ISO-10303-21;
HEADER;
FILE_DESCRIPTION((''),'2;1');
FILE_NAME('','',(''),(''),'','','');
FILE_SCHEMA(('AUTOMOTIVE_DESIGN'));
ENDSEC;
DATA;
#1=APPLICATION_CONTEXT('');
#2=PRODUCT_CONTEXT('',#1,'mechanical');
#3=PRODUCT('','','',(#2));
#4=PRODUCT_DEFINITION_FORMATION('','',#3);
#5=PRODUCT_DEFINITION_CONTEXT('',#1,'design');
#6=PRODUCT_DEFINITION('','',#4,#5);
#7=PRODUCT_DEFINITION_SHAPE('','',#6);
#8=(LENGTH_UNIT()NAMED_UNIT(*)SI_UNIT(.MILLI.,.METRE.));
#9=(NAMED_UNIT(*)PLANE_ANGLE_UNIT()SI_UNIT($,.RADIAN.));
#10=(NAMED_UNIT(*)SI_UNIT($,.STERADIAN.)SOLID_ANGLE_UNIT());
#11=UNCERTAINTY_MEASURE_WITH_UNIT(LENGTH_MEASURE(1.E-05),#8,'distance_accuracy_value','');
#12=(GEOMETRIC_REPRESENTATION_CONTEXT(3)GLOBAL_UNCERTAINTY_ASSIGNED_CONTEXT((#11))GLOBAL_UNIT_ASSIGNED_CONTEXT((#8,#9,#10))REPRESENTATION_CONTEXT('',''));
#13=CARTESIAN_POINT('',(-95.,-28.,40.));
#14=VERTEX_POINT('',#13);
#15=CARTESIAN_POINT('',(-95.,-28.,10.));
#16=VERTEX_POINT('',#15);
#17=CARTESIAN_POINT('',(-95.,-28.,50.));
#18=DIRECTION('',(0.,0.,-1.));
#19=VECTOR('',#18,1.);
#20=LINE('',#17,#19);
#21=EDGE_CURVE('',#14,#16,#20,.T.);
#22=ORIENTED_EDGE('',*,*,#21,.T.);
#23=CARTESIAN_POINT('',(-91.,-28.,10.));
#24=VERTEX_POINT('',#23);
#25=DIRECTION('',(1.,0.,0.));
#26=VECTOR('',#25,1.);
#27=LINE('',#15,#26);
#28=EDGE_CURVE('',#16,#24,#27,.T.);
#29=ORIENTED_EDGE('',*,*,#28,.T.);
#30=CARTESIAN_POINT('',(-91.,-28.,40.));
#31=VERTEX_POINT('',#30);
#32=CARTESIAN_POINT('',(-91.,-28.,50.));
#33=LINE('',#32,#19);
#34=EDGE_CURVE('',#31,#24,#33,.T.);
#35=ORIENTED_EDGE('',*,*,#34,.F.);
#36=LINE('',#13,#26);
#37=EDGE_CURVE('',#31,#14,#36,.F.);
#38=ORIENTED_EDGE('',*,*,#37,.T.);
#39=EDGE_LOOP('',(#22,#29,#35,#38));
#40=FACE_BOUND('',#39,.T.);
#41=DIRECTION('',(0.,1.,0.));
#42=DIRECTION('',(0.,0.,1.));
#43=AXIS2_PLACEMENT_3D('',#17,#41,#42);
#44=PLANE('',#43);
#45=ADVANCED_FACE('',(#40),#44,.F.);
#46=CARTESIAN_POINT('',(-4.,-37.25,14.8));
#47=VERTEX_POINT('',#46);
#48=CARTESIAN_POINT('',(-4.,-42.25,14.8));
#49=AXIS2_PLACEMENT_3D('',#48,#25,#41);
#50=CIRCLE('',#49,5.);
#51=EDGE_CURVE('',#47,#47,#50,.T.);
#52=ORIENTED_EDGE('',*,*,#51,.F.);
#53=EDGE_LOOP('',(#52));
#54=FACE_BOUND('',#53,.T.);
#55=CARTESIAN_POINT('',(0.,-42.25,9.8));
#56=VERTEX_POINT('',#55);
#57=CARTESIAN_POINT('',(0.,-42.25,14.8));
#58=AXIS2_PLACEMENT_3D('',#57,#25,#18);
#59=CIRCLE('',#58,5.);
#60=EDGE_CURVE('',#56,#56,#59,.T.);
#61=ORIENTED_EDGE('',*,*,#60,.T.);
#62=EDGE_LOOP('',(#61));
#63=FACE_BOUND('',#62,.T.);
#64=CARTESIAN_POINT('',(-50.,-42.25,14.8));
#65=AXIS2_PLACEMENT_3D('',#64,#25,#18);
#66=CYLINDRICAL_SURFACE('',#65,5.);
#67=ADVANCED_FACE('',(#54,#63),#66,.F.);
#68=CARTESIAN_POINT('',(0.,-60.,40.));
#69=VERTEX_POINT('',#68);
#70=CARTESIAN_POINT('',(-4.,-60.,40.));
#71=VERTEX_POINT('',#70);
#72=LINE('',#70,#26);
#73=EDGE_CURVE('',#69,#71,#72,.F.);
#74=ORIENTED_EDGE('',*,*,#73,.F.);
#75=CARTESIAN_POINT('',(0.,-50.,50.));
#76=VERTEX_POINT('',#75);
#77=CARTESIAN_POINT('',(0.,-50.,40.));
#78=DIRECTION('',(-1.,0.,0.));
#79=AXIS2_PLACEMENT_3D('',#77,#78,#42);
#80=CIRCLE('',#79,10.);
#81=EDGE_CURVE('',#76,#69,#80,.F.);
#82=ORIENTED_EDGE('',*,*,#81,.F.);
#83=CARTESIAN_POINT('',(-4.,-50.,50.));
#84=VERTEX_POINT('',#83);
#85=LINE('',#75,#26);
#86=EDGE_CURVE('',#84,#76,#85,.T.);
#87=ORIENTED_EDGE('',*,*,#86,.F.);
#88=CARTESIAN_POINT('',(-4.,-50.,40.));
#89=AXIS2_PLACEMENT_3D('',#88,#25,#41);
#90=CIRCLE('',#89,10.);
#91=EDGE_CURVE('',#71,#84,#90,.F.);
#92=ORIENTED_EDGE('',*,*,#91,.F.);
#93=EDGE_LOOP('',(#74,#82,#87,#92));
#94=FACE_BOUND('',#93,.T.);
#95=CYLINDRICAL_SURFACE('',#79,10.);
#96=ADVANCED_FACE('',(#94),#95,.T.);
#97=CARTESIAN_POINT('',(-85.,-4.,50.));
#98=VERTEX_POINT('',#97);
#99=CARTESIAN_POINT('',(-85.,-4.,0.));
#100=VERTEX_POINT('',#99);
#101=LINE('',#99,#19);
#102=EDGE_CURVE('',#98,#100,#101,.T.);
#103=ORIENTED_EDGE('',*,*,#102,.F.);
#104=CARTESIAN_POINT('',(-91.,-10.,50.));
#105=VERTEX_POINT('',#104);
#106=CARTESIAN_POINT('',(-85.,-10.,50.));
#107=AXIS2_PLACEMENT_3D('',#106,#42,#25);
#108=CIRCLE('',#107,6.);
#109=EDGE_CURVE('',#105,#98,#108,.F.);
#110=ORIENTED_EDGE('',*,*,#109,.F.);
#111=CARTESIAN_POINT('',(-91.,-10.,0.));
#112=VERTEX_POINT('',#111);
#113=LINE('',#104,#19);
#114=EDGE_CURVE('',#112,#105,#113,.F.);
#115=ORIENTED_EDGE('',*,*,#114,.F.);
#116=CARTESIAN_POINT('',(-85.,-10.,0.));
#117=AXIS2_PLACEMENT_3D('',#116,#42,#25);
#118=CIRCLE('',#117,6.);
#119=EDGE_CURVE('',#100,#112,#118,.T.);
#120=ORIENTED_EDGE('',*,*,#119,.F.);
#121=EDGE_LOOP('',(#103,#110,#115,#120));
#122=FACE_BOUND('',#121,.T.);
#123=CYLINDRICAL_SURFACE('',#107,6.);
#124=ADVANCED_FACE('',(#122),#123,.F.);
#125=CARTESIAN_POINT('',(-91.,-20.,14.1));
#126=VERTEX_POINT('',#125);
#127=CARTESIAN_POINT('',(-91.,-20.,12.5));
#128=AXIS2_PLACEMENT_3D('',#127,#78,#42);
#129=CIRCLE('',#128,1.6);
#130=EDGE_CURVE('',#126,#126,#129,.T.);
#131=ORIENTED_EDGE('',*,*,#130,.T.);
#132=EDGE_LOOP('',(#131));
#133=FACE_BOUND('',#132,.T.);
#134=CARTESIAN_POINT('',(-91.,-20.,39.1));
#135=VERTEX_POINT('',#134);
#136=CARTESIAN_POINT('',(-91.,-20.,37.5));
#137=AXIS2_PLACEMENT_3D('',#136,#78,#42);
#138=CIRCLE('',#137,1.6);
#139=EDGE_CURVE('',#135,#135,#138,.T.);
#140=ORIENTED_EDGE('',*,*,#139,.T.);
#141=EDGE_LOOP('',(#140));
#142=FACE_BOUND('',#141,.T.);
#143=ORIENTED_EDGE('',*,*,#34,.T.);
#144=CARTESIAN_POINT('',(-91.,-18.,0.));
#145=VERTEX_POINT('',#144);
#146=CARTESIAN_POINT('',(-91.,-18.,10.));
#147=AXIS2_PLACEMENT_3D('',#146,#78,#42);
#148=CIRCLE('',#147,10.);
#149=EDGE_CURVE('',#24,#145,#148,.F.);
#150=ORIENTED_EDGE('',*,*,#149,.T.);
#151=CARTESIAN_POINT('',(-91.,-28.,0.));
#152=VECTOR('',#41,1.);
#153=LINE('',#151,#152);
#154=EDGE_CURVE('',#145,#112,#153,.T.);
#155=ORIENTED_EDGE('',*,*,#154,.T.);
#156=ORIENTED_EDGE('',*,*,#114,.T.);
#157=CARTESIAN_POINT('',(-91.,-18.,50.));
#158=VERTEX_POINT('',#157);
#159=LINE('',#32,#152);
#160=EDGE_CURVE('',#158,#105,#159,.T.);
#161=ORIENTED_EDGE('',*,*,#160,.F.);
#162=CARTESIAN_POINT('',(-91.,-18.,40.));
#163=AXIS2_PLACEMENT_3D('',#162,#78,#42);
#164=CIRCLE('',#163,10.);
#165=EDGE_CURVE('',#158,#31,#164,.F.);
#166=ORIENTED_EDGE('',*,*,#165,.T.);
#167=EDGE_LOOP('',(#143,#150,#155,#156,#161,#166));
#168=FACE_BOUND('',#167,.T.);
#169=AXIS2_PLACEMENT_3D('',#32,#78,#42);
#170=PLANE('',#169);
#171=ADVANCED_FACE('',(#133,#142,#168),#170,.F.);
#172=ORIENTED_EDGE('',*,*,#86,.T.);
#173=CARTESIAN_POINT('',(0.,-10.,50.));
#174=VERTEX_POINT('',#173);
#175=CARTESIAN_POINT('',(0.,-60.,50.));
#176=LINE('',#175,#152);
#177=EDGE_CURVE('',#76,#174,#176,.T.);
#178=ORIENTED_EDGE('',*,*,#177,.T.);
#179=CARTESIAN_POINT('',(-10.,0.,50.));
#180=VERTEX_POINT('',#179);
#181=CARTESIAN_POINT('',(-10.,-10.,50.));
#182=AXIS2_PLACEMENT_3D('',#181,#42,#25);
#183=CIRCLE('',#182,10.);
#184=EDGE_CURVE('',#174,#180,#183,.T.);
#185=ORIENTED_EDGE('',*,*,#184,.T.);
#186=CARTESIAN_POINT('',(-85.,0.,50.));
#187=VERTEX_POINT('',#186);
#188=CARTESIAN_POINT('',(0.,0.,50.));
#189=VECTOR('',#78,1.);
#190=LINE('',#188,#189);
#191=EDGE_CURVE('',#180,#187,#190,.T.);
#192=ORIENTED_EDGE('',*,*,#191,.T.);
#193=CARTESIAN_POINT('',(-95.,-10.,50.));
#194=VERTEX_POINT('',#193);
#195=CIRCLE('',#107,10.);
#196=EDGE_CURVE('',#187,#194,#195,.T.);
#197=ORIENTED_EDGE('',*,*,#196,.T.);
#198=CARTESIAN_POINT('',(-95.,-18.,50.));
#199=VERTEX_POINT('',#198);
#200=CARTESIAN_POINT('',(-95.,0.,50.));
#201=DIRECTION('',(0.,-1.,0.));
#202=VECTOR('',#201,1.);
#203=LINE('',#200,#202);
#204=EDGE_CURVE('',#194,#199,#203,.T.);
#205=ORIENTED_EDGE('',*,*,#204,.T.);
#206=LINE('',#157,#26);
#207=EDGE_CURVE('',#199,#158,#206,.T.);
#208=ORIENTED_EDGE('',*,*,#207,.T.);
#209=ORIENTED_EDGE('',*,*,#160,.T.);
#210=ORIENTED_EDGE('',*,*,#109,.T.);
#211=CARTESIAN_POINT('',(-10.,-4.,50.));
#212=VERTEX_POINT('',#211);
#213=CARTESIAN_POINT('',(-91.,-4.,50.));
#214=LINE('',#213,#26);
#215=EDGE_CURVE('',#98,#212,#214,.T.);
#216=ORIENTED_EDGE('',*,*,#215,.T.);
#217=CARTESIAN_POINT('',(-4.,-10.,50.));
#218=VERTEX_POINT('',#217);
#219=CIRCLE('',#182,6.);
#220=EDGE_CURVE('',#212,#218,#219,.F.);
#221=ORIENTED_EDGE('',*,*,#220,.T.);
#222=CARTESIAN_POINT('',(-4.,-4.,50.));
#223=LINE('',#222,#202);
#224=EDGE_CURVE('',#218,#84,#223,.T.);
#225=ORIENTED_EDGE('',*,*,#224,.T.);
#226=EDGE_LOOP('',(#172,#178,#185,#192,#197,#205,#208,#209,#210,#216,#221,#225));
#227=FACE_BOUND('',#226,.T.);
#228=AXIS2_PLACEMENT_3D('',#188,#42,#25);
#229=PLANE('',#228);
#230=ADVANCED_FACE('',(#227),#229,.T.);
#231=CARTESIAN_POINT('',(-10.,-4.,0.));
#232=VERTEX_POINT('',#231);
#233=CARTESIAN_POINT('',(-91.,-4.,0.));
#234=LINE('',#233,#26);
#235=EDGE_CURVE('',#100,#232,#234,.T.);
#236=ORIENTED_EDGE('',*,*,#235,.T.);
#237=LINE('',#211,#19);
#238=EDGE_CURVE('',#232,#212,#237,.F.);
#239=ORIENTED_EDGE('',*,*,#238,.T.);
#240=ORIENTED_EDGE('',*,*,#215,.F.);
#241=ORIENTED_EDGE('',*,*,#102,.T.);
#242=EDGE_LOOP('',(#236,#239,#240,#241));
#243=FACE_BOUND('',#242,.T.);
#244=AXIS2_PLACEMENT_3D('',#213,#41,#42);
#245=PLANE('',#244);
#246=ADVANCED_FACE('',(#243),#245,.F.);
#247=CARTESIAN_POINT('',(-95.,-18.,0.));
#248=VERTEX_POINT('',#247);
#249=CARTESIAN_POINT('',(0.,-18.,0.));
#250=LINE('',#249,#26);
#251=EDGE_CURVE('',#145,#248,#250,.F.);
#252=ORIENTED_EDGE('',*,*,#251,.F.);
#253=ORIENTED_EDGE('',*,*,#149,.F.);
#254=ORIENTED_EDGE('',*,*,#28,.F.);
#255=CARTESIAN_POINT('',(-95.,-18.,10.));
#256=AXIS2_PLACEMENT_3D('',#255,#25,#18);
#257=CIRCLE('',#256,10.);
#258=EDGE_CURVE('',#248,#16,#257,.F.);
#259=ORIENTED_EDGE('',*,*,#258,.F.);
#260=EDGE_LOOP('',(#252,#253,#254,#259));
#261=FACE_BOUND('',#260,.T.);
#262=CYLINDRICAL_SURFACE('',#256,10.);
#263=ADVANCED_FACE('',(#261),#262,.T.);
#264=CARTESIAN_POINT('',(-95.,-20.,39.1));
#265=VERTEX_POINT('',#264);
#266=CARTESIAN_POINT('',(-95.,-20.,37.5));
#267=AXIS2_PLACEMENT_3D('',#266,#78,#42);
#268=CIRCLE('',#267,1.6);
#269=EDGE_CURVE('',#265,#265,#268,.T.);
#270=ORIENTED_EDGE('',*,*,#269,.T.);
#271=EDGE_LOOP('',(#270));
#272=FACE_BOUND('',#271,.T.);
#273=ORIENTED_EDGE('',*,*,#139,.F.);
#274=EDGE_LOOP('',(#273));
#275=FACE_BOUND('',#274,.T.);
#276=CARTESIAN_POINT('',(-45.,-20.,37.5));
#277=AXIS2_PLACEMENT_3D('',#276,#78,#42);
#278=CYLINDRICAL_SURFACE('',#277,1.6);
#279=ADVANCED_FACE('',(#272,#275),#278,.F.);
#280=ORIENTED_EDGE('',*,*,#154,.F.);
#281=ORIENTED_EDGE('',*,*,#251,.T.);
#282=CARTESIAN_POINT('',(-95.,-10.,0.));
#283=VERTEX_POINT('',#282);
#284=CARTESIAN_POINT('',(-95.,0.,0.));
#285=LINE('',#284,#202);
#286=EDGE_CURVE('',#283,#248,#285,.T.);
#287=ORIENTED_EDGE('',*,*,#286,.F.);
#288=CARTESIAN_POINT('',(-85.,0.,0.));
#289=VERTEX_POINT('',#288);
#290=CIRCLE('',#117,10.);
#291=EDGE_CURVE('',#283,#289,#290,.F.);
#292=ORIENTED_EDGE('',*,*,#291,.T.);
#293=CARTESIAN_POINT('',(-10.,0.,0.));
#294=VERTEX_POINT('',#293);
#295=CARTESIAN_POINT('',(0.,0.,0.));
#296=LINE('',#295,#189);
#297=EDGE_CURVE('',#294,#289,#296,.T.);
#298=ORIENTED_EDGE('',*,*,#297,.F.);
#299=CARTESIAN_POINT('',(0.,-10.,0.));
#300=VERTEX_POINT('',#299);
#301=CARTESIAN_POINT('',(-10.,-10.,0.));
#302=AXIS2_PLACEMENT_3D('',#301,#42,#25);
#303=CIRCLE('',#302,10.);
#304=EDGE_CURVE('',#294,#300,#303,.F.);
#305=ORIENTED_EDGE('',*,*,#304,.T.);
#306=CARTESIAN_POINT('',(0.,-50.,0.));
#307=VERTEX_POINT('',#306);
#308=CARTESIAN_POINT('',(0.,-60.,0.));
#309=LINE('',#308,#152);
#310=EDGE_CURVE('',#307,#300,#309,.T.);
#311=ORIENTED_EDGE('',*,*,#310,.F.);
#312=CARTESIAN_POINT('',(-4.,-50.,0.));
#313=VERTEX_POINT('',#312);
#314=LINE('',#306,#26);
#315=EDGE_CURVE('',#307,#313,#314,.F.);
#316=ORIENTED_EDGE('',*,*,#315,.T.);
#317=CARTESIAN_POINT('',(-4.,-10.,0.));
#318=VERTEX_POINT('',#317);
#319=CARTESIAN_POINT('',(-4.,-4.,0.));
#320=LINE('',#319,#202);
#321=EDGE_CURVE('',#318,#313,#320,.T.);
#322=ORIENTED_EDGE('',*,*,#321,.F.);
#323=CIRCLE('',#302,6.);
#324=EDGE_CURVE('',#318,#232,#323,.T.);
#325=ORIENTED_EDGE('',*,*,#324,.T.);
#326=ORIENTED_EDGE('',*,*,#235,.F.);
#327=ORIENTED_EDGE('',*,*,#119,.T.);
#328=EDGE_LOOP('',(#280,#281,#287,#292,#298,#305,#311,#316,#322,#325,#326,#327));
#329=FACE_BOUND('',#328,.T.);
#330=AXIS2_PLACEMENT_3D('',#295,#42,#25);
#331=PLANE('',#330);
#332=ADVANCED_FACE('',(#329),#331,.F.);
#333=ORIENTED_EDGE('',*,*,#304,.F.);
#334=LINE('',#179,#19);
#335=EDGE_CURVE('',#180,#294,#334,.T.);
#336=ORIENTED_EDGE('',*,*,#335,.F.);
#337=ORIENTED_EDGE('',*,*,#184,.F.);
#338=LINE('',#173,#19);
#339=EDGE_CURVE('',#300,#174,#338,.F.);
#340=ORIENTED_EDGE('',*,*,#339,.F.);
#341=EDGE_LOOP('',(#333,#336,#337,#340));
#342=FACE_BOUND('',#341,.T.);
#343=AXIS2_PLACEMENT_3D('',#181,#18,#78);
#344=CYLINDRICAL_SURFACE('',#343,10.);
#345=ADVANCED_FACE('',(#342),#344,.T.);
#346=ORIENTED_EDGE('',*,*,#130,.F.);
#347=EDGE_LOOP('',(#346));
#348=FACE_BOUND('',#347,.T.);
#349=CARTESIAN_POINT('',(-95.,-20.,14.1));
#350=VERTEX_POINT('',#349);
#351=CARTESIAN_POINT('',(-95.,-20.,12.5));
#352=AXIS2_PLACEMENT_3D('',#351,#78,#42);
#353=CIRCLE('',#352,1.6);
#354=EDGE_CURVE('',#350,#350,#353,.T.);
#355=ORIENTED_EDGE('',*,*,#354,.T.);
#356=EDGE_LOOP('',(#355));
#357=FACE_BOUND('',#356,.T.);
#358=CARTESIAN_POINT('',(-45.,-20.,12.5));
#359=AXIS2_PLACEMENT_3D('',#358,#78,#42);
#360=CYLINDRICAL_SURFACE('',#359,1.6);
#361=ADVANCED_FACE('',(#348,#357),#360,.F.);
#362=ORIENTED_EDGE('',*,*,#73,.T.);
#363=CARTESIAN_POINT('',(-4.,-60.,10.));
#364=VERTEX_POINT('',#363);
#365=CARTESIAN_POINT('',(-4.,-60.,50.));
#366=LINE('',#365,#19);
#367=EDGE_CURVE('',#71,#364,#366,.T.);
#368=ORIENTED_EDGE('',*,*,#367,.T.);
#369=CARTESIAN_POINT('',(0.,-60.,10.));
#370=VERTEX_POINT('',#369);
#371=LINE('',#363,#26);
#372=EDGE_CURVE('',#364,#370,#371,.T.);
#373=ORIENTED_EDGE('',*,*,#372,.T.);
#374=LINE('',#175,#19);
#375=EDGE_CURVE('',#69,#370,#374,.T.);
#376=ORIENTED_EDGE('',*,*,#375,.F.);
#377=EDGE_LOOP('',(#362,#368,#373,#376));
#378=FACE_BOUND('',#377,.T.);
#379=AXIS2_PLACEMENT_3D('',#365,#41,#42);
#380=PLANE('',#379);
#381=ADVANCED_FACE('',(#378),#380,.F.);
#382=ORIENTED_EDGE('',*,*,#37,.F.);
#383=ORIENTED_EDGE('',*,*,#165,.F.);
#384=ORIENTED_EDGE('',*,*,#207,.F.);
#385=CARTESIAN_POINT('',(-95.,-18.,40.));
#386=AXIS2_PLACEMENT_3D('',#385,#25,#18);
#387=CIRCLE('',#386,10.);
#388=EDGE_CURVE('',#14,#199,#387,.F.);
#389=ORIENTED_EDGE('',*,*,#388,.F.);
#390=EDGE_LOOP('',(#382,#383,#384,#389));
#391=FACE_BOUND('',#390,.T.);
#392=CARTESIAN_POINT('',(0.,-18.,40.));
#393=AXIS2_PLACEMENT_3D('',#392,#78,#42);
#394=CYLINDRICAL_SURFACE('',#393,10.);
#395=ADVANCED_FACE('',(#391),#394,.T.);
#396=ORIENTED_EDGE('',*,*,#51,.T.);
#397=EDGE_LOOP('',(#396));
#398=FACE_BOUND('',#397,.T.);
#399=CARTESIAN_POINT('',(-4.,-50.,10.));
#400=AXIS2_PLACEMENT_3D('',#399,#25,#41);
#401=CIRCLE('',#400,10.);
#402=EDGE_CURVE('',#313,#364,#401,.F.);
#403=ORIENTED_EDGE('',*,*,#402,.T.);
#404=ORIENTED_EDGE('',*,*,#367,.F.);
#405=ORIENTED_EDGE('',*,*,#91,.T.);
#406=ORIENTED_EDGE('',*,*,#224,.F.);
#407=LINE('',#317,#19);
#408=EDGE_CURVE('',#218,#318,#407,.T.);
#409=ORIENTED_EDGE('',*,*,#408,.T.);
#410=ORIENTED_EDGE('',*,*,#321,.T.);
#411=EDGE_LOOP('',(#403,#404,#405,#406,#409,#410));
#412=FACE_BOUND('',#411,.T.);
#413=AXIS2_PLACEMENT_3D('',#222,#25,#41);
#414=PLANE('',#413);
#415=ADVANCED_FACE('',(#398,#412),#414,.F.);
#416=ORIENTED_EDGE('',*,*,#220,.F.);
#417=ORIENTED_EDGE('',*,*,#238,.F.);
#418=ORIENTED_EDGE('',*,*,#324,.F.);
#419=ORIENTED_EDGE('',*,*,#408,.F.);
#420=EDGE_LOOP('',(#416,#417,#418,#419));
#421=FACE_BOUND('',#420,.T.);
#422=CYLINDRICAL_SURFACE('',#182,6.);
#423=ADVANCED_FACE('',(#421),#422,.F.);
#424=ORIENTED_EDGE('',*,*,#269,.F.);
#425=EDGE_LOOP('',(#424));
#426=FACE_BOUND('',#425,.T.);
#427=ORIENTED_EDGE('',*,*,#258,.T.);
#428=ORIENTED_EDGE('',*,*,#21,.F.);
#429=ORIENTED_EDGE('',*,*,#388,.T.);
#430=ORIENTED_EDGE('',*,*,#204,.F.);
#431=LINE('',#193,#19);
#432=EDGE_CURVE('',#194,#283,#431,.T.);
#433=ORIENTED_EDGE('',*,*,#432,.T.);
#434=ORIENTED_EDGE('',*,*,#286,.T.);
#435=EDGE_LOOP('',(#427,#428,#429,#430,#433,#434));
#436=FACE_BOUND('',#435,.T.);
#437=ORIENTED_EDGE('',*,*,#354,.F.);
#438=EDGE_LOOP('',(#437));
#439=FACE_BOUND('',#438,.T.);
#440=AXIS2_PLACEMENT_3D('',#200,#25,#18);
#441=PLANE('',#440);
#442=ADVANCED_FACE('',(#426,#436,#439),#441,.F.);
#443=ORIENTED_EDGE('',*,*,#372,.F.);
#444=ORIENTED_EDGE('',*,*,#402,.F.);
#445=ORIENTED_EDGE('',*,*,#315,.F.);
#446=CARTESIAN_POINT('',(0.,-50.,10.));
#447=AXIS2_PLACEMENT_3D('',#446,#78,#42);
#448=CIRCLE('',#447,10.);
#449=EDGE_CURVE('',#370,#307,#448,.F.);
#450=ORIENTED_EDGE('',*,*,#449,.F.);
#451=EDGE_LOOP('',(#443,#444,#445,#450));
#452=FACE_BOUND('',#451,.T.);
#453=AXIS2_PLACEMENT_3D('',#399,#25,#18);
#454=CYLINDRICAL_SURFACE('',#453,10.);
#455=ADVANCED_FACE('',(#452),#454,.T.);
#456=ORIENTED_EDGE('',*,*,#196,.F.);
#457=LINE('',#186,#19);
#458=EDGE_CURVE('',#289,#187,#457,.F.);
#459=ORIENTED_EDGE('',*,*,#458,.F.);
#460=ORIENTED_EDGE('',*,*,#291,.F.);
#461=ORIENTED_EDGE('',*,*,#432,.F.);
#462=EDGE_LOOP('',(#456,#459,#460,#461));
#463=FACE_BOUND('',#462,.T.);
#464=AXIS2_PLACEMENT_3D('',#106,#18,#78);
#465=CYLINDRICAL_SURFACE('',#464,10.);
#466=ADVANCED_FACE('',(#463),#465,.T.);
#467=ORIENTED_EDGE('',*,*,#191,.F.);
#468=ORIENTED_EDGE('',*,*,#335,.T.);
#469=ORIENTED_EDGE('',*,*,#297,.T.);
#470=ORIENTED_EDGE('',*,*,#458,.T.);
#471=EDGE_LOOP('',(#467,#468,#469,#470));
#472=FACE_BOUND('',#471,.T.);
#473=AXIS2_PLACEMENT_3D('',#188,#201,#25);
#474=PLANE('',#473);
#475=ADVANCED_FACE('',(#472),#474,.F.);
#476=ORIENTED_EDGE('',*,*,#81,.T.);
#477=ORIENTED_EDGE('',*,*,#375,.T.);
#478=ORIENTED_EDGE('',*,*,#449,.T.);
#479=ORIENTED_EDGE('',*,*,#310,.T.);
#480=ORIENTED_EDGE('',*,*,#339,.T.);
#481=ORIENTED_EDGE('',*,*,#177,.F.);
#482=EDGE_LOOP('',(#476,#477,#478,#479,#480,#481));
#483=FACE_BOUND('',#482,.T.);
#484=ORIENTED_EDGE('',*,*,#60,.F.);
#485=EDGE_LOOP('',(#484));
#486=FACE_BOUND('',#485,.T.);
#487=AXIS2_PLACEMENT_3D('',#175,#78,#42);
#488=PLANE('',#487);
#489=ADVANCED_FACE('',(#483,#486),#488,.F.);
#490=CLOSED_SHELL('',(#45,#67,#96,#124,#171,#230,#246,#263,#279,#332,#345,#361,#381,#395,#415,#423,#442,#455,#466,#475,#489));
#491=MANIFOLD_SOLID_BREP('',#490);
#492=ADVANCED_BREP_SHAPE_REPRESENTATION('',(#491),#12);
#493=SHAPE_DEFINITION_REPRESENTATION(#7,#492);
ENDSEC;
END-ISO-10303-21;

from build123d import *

# Parameters (mm, degrees)
BOSS_EXTRUDE1_DEPTH = 50
SKETCH3_R           = 1.6
CUT_EXTRUDE1_DEPTH  = 50
SKETCH4_R           = 5
CUT_EXTRUDE2_DEPTH  = 50
FILLET1_R           = 10
FILLET2_R           = 6
FILLET3_R           = 10


with BuildPart() as part:
    # Sketch2 → Boss-Extrude1 (new body)
    with BuildSketch(Plane.XY):
        Polygon((0, 0), (-95, 0), (-95, -28), (-91, -28), (-91, -4), (-4, -4), (-4, -60), (0, -60), align=None)
    extrude(amount=BOSS_EXTRUDE1_DEPTH)

    # Sketch3 → Cut-Extrude1 (cut)
    with BuildSketch(Plane.ZY.offset(95)):
        with Locations((12.5, -20)):
            Circle(SKETCH3_R)
        with Locations((37.5, -20)):
            Circle(SKETCH3_R)
    extrude(amount=-CUT_EXTRUDE1_DEPTH, mode=Mode.SUBTRACT)

    # Sketch4 → Cut-Extrude2 (cut)
    with BuildSketch(Plane(origin=(0, 0, 0), x_dir=(0, 0, -1), z_dir=(1, 0, 0))):
        with Locations((-14.8, -42.25)):
            Circle(SKETCH4_R)
    extrude(amount=-CUT_EXTRUDE2_DEPTH, mode=Mode.SUBTRACT)

    # Fillet1
    fillet1_edges = [part.edges().sort_by_distance(p)[0] for p in [
        (-95, 0, 25),
        (0, 0, 25),
    ]]
    fillet(fillet1_edges, radius=FILLET1_R)

    # Fillet2
    fillet2_edges = [part.edges().sort_by_distance(p)[0] for p in [
        (-4, -4, 25),
        (-91, -4, 25),
    ]]
    fillet(fillet2_edges, radius=FILLET2_R)

    # Fillet3
    fillet3_edges = [part.edges().sort_by_distance(p)[0] for p in [
        (-93, -28, 0),
        (-93, -28, 50),
        (-2, -60, 50),
        (-2, -60, 0),
    ]]
    fillet(fillet3_edges, radius=FILLET3_R)


solid = part.part
